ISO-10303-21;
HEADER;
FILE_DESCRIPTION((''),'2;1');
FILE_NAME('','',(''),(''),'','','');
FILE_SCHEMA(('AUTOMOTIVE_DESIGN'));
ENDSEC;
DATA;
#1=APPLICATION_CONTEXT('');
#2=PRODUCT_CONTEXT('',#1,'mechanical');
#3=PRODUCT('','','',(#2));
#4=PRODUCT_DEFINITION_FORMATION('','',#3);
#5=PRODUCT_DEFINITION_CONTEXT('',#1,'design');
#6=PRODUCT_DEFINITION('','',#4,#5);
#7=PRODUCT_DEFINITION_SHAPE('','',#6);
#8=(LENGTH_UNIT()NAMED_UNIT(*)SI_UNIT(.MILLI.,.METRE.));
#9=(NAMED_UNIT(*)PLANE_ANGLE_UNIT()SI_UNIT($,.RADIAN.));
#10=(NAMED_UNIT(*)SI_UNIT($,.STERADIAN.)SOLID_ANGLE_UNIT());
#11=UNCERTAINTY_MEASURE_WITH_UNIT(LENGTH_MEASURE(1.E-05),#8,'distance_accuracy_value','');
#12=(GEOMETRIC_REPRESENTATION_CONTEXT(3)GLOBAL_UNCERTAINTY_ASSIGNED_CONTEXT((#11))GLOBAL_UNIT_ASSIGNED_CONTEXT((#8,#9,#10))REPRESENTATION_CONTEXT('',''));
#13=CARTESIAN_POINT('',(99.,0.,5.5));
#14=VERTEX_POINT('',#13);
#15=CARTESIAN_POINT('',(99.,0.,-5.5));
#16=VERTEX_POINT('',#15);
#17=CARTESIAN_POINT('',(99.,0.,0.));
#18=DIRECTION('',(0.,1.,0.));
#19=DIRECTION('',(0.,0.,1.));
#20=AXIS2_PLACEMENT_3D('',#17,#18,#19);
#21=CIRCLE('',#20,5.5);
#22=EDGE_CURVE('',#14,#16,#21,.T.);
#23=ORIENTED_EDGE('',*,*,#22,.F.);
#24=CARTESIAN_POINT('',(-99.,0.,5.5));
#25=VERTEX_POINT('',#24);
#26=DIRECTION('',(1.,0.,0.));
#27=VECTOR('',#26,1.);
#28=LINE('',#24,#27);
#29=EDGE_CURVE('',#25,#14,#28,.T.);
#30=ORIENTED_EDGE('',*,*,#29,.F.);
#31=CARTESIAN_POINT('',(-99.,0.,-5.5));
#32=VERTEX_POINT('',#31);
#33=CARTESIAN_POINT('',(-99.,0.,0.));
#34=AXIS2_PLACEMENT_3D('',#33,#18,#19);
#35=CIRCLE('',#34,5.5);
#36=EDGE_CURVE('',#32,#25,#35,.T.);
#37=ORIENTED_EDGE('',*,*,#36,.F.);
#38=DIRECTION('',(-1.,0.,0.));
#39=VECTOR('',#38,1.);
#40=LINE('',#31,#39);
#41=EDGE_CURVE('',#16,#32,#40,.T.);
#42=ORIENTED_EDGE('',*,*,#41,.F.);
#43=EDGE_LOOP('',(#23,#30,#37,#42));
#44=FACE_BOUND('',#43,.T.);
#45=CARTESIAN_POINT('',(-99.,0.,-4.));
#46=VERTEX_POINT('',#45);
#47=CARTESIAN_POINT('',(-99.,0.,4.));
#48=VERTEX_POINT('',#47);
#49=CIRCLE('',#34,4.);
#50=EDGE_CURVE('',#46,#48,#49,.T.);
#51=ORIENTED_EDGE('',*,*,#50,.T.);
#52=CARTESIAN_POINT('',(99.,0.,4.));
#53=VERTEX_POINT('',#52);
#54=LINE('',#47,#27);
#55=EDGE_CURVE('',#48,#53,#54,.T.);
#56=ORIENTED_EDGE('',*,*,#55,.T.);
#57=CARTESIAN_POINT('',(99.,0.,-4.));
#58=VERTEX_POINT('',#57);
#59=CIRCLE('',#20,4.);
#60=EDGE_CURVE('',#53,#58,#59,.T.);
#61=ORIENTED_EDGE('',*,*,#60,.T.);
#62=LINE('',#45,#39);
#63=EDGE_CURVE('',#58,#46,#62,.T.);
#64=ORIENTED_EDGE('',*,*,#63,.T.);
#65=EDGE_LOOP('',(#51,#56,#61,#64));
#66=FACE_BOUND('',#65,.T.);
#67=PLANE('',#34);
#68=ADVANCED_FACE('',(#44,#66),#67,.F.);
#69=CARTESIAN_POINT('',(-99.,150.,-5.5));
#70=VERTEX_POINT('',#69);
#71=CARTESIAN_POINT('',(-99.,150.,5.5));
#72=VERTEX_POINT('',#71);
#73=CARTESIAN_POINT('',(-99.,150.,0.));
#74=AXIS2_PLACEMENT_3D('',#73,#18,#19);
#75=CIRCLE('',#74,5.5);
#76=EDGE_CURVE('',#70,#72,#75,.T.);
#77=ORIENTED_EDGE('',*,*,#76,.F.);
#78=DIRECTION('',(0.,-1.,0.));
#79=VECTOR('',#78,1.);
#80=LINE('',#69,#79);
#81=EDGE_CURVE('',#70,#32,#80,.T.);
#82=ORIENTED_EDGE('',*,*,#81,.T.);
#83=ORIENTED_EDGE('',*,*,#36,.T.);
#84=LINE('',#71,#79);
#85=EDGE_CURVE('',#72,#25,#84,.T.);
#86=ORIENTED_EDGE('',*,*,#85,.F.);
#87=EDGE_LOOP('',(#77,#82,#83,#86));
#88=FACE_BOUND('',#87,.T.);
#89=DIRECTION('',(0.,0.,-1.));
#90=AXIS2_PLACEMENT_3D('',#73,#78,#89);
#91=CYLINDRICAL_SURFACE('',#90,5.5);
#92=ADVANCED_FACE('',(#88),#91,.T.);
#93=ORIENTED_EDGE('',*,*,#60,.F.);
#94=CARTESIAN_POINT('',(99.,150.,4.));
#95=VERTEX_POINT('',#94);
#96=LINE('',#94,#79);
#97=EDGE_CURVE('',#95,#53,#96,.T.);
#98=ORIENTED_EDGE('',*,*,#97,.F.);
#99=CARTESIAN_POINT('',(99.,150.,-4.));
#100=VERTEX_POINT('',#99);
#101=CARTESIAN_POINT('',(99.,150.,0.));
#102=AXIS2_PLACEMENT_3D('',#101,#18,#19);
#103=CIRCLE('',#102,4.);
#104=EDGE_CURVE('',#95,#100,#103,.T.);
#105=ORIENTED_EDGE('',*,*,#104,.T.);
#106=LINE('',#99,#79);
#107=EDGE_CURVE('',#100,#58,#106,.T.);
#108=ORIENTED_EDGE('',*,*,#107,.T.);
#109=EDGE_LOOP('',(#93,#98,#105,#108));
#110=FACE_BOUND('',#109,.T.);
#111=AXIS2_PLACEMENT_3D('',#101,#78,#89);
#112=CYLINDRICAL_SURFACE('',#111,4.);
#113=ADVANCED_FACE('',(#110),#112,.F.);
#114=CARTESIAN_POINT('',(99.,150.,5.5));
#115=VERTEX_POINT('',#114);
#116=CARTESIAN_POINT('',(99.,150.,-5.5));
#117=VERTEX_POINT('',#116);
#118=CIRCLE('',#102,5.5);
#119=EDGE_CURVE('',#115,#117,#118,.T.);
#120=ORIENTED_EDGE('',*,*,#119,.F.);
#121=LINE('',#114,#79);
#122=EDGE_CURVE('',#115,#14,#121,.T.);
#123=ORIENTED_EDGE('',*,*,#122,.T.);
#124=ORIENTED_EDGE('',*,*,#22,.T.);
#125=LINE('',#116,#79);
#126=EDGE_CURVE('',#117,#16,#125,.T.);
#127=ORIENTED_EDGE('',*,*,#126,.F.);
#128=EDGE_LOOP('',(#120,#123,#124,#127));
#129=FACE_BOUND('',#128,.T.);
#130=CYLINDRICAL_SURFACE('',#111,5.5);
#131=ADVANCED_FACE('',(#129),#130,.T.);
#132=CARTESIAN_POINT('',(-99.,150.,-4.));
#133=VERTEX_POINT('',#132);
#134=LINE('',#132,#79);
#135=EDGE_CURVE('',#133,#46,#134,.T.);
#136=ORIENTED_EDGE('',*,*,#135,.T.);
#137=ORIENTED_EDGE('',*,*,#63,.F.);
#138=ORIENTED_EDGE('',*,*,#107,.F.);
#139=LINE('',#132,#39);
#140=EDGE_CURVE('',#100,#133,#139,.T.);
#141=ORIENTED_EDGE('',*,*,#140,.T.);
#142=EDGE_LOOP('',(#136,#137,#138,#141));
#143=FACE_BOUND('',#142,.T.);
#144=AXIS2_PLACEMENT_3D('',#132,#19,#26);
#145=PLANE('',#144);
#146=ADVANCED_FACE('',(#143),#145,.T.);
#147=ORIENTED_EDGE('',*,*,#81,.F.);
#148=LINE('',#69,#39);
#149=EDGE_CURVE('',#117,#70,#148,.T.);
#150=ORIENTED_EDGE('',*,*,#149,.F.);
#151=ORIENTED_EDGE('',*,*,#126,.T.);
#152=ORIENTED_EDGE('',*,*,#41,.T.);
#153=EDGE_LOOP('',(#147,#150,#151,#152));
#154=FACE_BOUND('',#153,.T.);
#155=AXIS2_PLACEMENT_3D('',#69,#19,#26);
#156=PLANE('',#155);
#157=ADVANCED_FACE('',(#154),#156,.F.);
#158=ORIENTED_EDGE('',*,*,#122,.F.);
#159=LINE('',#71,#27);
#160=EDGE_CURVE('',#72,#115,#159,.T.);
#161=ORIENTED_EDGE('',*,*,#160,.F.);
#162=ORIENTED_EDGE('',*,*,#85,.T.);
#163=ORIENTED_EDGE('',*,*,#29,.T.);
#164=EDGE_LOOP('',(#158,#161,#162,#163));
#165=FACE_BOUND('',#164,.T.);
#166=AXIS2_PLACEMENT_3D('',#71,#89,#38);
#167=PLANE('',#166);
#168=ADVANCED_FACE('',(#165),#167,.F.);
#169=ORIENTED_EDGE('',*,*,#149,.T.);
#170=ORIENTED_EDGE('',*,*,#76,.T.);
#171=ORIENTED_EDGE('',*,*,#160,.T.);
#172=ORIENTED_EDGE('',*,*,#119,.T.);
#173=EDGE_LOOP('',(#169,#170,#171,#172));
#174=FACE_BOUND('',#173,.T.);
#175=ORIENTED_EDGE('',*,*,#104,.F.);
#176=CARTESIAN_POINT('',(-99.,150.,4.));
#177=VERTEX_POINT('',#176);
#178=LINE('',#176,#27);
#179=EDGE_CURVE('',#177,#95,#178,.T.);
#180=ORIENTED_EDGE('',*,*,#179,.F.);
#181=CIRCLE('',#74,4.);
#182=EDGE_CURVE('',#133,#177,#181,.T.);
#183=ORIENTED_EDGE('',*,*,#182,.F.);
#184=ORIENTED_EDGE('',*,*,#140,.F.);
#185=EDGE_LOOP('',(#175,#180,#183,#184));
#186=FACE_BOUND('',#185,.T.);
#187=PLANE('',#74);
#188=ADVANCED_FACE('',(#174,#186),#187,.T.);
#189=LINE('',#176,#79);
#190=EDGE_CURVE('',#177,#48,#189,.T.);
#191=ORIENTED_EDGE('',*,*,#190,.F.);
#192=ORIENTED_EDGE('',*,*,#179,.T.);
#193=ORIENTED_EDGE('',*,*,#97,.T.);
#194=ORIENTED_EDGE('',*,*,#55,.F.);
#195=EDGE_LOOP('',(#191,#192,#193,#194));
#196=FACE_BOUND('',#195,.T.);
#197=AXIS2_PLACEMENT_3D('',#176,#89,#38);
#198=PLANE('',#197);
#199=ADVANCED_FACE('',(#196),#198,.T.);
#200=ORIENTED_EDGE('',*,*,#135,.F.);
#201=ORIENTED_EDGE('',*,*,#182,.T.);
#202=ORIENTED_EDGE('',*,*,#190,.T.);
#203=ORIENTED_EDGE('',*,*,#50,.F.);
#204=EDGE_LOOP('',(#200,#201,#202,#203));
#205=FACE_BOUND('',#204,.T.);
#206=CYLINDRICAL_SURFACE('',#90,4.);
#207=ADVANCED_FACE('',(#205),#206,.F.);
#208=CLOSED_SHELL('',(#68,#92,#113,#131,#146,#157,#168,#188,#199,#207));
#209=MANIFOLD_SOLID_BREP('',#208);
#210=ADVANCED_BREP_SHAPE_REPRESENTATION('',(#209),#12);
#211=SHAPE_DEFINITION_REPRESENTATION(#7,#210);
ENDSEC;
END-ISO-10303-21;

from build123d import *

# Parameters (mm, degrees)
EXTRUDE_1_DEPTH = 150


with BuildPart() as part:
    # 草图1 → 凸台-拉伸1 (new body)
    with BuildSketch(Plane(origin=(0, 0, 0), x_dir=(1, 0, 0), z_dir=(0, 1, 0))):
        with BuildLine():
            Line((-99, -5.5), (99, -5.5))
            ThreePointArc((99, -5.5), (104.5, 0), (99, 5.5))
            Line((99, 5.5), (-99, 5.5))
            ThreePointArc((-99, 5.5), (-104.5, 0), (-99, -5.5))
        make_face()
        with BuildLine():
            Line((-99, 4), (99, 4))
            ThreePointArc((99, 4), (103, 0), (99, -4))
            Line((99, -4), (-99, -4))
            ThreePointArc((-99, -4), (-103, 0), (-99, 4))
        make_face(mode=Mode.SUBTRACT)
    extrude(amount=EXTRUDE_1_DEPTH)


solid = part.part
